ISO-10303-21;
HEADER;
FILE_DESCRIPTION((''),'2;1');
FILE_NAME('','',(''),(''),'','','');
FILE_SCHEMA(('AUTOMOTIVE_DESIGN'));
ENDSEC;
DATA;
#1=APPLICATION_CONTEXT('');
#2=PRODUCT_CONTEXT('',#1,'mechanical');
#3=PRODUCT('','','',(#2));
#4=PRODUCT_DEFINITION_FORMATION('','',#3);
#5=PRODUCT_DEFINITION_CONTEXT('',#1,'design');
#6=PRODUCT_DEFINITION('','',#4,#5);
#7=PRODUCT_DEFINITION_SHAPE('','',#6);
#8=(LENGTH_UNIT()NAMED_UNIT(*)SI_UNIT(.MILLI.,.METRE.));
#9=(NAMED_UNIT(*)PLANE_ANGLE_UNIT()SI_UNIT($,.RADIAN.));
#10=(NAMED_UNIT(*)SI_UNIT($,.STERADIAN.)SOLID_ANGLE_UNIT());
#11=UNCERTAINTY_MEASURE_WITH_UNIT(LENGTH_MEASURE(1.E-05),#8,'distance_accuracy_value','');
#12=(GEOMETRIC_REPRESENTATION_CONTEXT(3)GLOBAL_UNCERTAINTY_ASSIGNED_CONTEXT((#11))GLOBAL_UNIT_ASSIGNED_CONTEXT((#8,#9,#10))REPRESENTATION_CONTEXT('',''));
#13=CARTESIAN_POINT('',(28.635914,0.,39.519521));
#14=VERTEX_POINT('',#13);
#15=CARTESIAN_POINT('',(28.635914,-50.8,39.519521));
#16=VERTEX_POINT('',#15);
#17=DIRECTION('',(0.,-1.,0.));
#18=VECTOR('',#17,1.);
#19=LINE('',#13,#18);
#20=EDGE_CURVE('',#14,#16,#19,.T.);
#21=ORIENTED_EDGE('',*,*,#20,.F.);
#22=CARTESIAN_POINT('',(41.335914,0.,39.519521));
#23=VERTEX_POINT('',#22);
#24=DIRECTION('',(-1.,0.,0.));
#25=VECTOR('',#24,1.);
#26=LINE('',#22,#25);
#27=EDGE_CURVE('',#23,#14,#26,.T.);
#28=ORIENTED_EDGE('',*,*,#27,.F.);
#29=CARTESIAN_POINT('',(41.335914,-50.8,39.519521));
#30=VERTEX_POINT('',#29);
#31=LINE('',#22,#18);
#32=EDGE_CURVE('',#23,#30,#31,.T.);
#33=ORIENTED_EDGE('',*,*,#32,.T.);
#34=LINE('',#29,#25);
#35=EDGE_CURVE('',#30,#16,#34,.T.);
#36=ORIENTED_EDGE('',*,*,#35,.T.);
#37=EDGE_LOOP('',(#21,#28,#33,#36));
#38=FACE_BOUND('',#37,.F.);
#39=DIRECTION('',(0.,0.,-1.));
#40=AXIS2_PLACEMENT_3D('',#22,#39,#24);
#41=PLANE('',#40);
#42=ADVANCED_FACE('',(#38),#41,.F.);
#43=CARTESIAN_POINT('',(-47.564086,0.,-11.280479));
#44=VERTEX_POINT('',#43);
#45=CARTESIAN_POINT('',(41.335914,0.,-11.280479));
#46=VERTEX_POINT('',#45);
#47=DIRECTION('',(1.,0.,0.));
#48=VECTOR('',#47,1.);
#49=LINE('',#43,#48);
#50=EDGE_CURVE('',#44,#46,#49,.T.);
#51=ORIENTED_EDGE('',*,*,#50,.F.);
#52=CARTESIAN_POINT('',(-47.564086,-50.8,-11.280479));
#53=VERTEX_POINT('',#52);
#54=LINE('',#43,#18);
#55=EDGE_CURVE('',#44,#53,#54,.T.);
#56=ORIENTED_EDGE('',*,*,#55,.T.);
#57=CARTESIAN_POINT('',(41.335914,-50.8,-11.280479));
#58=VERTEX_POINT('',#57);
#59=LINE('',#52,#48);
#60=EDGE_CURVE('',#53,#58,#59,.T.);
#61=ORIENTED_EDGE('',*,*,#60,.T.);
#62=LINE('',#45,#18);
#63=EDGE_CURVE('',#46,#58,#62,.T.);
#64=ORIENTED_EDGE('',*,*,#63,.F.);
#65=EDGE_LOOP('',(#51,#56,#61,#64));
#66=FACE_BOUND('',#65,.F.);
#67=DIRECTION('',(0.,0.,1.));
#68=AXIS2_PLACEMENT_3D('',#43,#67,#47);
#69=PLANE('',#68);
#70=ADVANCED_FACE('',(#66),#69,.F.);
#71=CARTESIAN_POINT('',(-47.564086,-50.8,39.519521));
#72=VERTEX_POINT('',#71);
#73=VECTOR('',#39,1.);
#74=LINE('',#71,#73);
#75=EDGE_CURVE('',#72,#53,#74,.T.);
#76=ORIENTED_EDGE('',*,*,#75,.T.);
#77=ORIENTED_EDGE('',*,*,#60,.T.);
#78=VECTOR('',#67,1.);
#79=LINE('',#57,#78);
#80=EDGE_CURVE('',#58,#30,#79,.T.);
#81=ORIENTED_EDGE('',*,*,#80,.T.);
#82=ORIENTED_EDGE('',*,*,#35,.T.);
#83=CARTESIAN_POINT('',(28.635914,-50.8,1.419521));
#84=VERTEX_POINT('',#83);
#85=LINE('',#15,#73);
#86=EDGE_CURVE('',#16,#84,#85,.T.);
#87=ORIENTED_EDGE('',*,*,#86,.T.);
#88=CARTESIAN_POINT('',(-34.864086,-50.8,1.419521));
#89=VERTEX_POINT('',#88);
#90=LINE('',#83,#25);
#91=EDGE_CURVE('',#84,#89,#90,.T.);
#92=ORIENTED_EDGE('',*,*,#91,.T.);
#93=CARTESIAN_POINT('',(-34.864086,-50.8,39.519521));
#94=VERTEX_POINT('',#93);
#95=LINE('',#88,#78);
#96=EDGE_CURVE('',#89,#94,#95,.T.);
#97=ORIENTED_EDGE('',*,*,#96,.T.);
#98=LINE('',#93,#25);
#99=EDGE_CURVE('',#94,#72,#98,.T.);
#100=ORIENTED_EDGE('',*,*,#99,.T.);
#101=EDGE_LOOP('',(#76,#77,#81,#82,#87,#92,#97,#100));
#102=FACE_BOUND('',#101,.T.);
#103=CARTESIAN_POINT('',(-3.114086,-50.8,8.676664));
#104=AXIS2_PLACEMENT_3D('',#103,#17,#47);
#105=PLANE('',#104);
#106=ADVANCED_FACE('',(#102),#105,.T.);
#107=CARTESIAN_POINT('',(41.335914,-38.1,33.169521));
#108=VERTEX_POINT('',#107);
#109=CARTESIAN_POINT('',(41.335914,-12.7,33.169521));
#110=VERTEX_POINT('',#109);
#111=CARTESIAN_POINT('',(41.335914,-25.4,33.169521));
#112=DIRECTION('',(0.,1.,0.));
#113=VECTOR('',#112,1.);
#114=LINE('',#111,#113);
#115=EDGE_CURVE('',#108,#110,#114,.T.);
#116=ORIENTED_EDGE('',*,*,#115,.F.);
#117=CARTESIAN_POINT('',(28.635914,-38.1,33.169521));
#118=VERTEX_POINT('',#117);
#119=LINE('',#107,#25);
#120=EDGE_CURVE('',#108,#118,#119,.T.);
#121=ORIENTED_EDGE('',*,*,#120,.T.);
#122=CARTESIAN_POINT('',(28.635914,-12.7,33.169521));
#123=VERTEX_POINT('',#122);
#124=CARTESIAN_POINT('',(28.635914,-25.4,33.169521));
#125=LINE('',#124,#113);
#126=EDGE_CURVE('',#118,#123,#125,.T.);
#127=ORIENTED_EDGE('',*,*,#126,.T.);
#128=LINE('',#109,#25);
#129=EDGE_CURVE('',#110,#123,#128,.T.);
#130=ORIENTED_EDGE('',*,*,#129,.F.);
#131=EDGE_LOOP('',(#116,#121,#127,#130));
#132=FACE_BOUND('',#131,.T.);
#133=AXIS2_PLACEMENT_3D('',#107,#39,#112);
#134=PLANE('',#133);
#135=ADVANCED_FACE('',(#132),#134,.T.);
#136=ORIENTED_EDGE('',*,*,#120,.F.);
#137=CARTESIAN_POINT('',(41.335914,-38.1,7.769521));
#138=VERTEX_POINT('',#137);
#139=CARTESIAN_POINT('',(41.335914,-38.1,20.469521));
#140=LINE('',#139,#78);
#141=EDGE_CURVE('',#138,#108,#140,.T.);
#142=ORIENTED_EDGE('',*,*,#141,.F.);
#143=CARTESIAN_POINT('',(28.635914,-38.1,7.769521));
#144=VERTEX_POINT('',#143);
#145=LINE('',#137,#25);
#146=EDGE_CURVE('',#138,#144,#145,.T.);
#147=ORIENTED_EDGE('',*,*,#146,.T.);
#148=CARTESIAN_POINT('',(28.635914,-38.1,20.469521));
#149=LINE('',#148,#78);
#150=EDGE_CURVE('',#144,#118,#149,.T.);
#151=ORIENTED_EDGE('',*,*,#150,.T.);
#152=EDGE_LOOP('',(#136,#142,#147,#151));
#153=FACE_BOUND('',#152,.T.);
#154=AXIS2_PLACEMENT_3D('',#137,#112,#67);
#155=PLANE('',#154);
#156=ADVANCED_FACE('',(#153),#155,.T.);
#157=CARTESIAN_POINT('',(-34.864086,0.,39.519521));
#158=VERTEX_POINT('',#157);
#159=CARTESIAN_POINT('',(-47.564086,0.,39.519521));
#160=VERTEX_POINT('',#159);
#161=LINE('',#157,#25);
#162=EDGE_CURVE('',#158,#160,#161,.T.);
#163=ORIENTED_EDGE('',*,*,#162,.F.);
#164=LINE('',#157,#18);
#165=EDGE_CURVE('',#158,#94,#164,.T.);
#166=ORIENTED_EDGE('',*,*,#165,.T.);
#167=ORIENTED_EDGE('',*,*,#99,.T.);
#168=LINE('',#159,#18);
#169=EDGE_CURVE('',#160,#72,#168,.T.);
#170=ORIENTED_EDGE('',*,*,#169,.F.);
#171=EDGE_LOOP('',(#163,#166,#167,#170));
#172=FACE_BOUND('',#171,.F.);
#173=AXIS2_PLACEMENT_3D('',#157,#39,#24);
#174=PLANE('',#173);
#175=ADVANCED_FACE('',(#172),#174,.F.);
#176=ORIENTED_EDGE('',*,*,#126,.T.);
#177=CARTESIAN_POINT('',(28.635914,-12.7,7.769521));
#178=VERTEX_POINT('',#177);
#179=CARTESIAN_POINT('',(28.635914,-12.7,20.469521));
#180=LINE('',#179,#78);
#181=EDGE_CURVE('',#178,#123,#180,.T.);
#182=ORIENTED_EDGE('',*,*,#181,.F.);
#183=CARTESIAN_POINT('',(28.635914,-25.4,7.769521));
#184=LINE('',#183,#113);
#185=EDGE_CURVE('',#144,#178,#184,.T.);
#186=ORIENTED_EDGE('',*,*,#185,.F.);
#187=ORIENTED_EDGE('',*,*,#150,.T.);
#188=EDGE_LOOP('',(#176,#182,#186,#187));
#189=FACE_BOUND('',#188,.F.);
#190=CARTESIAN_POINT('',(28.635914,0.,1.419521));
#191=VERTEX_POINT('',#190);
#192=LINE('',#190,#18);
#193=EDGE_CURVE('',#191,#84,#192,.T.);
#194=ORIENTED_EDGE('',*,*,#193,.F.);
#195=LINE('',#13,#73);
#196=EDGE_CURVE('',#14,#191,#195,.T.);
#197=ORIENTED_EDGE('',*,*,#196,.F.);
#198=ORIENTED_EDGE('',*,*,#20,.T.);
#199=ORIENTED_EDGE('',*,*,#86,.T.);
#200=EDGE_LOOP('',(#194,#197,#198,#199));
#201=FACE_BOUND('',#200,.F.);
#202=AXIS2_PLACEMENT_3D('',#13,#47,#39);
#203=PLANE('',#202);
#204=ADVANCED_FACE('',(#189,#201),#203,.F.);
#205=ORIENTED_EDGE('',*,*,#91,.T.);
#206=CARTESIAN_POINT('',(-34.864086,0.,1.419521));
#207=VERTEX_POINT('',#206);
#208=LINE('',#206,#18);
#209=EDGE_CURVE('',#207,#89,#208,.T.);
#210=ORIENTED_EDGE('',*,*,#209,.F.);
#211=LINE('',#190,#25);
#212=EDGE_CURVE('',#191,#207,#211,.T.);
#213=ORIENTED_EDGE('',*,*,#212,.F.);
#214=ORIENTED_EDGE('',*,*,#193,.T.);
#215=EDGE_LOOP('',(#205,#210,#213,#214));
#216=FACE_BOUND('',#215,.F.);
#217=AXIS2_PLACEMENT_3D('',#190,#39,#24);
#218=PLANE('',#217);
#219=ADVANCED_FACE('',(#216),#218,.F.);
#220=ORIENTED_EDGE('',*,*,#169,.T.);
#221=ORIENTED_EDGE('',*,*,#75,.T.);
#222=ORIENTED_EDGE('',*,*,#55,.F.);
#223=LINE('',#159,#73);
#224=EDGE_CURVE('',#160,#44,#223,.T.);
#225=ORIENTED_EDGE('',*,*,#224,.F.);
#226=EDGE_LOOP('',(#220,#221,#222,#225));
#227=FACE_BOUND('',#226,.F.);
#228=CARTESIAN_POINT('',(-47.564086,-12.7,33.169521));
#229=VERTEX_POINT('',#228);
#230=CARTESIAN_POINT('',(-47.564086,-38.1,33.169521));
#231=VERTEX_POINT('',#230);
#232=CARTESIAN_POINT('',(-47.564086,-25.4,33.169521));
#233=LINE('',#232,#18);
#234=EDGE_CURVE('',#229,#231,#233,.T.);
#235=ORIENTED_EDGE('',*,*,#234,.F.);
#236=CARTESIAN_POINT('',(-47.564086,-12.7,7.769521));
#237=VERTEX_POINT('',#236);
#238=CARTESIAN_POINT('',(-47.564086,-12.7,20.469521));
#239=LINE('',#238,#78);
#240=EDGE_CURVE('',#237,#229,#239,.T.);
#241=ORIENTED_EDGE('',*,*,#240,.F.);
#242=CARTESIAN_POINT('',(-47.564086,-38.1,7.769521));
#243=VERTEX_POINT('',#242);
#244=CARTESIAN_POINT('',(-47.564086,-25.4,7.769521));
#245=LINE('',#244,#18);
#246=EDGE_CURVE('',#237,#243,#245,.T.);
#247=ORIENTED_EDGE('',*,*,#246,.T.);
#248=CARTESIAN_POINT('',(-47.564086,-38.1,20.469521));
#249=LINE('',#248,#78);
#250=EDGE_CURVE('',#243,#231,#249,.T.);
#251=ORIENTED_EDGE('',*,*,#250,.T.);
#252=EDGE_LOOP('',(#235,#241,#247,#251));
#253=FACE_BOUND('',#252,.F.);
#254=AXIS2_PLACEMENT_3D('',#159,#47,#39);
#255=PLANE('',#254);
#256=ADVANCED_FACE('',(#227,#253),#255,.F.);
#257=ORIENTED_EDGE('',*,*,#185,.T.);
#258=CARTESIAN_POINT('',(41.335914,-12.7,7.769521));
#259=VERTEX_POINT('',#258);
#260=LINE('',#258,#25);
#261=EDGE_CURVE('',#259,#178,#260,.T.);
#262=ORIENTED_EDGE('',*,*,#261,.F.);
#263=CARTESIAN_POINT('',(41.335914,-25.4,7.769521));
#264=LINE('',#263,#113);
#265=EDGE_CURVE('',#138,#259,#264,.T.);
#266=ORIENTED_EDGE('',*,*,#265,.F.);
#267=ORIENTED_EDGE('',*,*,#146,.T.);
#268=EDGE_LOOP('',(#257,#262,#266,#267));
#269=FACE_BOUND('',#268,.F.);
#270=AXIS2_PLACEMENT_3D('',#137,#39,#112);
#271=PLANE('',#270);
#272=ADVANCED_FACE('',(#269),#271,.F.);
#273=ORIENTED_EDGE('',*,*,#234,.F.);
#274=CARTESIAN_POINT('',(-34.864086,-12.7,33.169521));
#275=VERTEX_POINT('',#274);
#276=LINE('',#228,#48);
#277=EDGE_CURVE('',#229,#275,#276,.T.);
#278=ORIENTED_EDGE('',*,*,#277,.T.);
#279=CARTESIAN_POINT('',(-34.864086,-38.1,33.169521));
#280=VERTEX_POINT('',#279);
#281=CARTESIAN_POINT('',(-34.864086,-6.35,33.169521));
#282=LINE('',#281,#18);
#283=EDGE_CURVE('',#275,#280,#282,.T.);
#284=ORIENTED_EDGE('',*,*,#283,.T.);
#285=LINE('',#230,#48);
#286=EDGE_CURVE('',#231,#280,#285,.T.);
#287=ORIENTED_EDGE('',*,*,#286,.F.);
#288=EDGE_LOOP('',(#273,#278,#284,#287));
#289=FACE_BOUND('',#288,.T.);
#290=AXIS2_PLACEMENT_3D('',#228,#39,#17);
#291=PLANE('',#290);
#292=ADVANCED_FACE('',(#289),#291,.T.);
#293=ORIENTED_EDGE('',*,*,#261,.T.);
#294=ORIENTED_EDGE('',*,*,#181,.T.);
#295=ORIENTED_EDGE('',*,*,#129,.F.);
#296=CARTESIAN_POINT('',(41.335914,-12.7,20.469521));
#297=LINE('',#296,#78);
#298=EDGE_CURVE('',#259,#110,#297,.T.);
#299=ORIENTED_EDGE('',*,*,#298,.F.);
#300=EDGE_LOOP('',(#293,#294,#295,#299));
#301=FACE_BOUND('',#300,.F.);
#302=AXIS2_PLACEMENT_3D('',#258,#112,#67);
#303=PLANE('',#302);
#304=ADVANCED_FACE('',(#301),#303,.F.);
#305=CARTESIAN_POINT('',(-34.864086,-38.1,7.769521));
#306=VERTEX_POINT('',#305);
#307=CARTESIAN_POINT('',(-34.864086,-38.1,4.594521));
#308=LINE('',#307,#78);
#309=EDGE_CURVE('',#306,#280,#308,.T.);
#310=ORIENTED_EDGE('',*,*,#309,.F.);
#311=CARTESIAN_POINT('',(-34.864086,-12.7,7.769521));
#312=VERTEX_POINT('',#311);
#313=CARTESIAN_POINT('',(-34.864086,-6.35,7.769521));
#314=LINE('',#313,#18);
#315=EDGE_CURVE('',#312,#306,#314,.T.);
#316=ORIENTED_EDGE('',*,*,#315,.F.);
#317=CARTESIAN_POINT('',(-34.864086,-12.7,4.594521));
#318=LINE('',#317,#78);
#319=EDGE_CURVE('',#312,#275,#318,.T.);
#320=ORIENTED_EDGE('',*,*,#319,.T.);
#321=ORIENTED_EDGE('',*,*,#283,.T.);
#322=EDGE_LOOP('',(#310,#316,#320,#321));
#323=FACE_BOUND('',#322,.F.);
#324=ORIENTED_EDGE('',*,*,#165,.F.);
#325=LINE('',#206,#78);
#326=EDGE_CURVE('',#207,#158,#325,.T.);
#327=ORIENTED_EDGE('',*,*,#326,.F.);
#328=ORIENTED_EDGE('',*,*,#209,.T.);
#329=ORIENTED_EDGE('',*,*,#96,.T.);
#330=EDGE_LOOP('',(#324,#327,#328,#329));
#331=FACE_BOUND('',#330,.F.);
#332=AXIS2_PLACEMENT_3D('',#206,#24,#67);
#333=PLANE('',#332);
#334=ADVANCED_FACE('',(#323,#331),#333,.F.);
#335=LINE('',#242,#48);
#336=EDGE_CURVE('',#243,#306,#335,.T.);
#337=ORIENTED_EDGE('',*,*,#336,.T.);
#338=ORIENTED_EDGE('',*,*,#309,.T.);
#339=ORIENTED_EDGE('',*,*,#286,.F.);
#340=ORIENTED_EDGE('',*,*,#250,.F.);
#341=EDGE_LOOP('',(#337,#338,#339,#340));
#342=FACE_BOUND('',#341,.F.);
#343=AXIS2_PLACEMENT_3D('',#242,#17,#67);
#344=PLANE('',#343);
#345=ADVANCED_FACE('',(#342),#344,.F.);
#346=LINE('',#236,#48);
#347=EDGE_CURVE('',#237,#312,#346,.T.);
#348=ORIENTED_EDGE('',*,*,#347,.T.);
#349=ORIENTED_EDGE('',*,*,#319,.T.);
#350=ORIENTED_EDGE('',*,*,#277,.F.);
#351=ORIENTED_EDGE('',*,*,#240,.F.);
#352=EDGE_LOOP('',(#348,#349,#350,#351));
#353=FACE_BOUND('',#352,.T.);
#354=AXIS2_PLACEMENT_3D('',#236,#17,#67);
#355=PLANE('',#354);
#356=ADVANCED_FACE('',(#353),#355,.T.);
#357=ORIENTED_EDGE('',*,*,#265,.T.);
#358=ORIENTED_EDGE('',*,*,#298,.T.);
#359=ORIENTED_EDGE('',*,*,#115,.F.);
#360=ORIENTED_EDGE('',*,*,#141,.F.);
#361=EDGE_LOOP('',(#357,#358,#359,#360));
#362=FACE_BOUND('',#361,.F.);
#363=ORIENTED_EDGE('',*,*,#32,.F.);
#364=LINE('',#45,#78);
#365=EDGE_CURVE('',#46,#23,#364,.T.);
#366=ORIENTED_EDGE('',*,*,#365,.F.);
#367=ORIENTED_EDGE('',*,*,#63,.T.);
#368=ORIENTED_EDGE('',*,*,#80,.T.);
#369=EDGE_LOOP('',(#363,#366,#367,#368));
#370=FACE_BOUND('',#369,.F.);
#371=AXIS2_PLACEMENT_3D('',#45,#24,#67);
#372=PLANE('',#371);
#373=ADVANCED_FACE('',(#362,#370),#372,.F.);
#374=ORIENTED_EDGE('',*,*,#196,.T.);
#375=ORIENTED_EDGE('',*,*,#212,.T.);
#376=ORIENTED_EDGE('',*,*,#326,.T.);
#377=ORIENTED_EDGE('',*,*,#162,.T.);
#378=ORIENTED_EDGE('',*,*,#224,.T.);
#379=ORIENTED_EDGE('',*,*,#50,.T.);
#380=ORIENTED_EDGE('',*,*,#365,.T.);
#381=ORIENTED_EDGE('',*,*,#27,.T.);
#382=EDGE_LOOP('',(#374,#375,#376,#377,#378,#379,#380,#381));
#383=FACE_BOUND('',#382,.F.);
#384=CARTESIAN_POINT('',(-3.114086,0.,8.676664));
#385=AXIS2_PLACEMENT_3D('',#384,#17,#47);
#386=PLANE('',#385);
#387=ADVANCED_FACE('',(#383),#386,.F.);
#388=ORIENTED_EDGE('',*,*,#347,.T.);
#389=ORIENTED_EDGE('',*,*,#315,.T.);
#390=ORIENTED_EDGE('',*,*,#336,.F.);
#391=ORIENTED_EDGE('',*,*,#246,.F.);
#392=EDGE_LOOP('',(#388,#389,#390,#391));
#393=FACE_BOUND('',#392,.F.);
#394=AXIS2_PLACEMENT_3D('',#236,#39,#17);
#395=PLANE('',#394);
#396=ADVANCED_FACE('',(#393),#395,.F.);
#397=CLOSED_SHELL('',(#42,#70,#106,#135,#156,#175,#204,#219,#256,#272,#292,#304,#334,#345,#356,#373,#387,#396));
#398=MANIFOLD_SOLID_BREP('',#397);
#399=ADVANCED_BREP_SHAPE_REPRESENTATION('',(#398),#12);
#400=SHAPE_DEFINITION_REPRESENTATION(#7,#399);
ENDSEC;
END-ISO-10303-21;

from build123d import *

# Parameters (mm, degrees)
F1_DEPTH = 50.8
F2_W     = 25.4
F2_H     = 25.4
F3_DEPTH = 12.7
F4_W     = 25.4
F4_H     = 25.4
F5_DEPTH = 88.901


with BuildPart() as f1:
    # F0 (on Front) → F1 (new body)
    with BuildSketch(Plane.XZ):
        Polygon((-47.564086, 39.519521), (-47.564086, -11.280479), (41.335914, -11.280479), (41.335914, 39.519521), (28.635914, 39.519521), (28.635914, 1.419521), (-34.864086, 1.419521), (-34.864086, 39.519521), align=None)
    extrude(amount=F1_DEPTH)

    # F2 (on face) → F3 (cut)
    with BuildSketch(Plane.YZ.offset(41.335914)):
        with Locations((-25.4, 20.469521)):
            Rectangle(F2_W, F2_H)
    extrude(amount=-F3_DEPTH, mode=Mode.SUBTRACT)

    # F4 (on face) → F5 (cut, through all)
    with BuildSketch(Plane(origin=(-47.564086, 0, 0), x_dir=(0, -1, 0), z_dir=(-1, 0, 0))):
        with Locations((25.4, 20.469521)):
            Rectangle(F4_W, F4_H)
    extrude(amount=-F5_DEPTH, mode=Mode.SUBTRACT)


solid = f1.part
